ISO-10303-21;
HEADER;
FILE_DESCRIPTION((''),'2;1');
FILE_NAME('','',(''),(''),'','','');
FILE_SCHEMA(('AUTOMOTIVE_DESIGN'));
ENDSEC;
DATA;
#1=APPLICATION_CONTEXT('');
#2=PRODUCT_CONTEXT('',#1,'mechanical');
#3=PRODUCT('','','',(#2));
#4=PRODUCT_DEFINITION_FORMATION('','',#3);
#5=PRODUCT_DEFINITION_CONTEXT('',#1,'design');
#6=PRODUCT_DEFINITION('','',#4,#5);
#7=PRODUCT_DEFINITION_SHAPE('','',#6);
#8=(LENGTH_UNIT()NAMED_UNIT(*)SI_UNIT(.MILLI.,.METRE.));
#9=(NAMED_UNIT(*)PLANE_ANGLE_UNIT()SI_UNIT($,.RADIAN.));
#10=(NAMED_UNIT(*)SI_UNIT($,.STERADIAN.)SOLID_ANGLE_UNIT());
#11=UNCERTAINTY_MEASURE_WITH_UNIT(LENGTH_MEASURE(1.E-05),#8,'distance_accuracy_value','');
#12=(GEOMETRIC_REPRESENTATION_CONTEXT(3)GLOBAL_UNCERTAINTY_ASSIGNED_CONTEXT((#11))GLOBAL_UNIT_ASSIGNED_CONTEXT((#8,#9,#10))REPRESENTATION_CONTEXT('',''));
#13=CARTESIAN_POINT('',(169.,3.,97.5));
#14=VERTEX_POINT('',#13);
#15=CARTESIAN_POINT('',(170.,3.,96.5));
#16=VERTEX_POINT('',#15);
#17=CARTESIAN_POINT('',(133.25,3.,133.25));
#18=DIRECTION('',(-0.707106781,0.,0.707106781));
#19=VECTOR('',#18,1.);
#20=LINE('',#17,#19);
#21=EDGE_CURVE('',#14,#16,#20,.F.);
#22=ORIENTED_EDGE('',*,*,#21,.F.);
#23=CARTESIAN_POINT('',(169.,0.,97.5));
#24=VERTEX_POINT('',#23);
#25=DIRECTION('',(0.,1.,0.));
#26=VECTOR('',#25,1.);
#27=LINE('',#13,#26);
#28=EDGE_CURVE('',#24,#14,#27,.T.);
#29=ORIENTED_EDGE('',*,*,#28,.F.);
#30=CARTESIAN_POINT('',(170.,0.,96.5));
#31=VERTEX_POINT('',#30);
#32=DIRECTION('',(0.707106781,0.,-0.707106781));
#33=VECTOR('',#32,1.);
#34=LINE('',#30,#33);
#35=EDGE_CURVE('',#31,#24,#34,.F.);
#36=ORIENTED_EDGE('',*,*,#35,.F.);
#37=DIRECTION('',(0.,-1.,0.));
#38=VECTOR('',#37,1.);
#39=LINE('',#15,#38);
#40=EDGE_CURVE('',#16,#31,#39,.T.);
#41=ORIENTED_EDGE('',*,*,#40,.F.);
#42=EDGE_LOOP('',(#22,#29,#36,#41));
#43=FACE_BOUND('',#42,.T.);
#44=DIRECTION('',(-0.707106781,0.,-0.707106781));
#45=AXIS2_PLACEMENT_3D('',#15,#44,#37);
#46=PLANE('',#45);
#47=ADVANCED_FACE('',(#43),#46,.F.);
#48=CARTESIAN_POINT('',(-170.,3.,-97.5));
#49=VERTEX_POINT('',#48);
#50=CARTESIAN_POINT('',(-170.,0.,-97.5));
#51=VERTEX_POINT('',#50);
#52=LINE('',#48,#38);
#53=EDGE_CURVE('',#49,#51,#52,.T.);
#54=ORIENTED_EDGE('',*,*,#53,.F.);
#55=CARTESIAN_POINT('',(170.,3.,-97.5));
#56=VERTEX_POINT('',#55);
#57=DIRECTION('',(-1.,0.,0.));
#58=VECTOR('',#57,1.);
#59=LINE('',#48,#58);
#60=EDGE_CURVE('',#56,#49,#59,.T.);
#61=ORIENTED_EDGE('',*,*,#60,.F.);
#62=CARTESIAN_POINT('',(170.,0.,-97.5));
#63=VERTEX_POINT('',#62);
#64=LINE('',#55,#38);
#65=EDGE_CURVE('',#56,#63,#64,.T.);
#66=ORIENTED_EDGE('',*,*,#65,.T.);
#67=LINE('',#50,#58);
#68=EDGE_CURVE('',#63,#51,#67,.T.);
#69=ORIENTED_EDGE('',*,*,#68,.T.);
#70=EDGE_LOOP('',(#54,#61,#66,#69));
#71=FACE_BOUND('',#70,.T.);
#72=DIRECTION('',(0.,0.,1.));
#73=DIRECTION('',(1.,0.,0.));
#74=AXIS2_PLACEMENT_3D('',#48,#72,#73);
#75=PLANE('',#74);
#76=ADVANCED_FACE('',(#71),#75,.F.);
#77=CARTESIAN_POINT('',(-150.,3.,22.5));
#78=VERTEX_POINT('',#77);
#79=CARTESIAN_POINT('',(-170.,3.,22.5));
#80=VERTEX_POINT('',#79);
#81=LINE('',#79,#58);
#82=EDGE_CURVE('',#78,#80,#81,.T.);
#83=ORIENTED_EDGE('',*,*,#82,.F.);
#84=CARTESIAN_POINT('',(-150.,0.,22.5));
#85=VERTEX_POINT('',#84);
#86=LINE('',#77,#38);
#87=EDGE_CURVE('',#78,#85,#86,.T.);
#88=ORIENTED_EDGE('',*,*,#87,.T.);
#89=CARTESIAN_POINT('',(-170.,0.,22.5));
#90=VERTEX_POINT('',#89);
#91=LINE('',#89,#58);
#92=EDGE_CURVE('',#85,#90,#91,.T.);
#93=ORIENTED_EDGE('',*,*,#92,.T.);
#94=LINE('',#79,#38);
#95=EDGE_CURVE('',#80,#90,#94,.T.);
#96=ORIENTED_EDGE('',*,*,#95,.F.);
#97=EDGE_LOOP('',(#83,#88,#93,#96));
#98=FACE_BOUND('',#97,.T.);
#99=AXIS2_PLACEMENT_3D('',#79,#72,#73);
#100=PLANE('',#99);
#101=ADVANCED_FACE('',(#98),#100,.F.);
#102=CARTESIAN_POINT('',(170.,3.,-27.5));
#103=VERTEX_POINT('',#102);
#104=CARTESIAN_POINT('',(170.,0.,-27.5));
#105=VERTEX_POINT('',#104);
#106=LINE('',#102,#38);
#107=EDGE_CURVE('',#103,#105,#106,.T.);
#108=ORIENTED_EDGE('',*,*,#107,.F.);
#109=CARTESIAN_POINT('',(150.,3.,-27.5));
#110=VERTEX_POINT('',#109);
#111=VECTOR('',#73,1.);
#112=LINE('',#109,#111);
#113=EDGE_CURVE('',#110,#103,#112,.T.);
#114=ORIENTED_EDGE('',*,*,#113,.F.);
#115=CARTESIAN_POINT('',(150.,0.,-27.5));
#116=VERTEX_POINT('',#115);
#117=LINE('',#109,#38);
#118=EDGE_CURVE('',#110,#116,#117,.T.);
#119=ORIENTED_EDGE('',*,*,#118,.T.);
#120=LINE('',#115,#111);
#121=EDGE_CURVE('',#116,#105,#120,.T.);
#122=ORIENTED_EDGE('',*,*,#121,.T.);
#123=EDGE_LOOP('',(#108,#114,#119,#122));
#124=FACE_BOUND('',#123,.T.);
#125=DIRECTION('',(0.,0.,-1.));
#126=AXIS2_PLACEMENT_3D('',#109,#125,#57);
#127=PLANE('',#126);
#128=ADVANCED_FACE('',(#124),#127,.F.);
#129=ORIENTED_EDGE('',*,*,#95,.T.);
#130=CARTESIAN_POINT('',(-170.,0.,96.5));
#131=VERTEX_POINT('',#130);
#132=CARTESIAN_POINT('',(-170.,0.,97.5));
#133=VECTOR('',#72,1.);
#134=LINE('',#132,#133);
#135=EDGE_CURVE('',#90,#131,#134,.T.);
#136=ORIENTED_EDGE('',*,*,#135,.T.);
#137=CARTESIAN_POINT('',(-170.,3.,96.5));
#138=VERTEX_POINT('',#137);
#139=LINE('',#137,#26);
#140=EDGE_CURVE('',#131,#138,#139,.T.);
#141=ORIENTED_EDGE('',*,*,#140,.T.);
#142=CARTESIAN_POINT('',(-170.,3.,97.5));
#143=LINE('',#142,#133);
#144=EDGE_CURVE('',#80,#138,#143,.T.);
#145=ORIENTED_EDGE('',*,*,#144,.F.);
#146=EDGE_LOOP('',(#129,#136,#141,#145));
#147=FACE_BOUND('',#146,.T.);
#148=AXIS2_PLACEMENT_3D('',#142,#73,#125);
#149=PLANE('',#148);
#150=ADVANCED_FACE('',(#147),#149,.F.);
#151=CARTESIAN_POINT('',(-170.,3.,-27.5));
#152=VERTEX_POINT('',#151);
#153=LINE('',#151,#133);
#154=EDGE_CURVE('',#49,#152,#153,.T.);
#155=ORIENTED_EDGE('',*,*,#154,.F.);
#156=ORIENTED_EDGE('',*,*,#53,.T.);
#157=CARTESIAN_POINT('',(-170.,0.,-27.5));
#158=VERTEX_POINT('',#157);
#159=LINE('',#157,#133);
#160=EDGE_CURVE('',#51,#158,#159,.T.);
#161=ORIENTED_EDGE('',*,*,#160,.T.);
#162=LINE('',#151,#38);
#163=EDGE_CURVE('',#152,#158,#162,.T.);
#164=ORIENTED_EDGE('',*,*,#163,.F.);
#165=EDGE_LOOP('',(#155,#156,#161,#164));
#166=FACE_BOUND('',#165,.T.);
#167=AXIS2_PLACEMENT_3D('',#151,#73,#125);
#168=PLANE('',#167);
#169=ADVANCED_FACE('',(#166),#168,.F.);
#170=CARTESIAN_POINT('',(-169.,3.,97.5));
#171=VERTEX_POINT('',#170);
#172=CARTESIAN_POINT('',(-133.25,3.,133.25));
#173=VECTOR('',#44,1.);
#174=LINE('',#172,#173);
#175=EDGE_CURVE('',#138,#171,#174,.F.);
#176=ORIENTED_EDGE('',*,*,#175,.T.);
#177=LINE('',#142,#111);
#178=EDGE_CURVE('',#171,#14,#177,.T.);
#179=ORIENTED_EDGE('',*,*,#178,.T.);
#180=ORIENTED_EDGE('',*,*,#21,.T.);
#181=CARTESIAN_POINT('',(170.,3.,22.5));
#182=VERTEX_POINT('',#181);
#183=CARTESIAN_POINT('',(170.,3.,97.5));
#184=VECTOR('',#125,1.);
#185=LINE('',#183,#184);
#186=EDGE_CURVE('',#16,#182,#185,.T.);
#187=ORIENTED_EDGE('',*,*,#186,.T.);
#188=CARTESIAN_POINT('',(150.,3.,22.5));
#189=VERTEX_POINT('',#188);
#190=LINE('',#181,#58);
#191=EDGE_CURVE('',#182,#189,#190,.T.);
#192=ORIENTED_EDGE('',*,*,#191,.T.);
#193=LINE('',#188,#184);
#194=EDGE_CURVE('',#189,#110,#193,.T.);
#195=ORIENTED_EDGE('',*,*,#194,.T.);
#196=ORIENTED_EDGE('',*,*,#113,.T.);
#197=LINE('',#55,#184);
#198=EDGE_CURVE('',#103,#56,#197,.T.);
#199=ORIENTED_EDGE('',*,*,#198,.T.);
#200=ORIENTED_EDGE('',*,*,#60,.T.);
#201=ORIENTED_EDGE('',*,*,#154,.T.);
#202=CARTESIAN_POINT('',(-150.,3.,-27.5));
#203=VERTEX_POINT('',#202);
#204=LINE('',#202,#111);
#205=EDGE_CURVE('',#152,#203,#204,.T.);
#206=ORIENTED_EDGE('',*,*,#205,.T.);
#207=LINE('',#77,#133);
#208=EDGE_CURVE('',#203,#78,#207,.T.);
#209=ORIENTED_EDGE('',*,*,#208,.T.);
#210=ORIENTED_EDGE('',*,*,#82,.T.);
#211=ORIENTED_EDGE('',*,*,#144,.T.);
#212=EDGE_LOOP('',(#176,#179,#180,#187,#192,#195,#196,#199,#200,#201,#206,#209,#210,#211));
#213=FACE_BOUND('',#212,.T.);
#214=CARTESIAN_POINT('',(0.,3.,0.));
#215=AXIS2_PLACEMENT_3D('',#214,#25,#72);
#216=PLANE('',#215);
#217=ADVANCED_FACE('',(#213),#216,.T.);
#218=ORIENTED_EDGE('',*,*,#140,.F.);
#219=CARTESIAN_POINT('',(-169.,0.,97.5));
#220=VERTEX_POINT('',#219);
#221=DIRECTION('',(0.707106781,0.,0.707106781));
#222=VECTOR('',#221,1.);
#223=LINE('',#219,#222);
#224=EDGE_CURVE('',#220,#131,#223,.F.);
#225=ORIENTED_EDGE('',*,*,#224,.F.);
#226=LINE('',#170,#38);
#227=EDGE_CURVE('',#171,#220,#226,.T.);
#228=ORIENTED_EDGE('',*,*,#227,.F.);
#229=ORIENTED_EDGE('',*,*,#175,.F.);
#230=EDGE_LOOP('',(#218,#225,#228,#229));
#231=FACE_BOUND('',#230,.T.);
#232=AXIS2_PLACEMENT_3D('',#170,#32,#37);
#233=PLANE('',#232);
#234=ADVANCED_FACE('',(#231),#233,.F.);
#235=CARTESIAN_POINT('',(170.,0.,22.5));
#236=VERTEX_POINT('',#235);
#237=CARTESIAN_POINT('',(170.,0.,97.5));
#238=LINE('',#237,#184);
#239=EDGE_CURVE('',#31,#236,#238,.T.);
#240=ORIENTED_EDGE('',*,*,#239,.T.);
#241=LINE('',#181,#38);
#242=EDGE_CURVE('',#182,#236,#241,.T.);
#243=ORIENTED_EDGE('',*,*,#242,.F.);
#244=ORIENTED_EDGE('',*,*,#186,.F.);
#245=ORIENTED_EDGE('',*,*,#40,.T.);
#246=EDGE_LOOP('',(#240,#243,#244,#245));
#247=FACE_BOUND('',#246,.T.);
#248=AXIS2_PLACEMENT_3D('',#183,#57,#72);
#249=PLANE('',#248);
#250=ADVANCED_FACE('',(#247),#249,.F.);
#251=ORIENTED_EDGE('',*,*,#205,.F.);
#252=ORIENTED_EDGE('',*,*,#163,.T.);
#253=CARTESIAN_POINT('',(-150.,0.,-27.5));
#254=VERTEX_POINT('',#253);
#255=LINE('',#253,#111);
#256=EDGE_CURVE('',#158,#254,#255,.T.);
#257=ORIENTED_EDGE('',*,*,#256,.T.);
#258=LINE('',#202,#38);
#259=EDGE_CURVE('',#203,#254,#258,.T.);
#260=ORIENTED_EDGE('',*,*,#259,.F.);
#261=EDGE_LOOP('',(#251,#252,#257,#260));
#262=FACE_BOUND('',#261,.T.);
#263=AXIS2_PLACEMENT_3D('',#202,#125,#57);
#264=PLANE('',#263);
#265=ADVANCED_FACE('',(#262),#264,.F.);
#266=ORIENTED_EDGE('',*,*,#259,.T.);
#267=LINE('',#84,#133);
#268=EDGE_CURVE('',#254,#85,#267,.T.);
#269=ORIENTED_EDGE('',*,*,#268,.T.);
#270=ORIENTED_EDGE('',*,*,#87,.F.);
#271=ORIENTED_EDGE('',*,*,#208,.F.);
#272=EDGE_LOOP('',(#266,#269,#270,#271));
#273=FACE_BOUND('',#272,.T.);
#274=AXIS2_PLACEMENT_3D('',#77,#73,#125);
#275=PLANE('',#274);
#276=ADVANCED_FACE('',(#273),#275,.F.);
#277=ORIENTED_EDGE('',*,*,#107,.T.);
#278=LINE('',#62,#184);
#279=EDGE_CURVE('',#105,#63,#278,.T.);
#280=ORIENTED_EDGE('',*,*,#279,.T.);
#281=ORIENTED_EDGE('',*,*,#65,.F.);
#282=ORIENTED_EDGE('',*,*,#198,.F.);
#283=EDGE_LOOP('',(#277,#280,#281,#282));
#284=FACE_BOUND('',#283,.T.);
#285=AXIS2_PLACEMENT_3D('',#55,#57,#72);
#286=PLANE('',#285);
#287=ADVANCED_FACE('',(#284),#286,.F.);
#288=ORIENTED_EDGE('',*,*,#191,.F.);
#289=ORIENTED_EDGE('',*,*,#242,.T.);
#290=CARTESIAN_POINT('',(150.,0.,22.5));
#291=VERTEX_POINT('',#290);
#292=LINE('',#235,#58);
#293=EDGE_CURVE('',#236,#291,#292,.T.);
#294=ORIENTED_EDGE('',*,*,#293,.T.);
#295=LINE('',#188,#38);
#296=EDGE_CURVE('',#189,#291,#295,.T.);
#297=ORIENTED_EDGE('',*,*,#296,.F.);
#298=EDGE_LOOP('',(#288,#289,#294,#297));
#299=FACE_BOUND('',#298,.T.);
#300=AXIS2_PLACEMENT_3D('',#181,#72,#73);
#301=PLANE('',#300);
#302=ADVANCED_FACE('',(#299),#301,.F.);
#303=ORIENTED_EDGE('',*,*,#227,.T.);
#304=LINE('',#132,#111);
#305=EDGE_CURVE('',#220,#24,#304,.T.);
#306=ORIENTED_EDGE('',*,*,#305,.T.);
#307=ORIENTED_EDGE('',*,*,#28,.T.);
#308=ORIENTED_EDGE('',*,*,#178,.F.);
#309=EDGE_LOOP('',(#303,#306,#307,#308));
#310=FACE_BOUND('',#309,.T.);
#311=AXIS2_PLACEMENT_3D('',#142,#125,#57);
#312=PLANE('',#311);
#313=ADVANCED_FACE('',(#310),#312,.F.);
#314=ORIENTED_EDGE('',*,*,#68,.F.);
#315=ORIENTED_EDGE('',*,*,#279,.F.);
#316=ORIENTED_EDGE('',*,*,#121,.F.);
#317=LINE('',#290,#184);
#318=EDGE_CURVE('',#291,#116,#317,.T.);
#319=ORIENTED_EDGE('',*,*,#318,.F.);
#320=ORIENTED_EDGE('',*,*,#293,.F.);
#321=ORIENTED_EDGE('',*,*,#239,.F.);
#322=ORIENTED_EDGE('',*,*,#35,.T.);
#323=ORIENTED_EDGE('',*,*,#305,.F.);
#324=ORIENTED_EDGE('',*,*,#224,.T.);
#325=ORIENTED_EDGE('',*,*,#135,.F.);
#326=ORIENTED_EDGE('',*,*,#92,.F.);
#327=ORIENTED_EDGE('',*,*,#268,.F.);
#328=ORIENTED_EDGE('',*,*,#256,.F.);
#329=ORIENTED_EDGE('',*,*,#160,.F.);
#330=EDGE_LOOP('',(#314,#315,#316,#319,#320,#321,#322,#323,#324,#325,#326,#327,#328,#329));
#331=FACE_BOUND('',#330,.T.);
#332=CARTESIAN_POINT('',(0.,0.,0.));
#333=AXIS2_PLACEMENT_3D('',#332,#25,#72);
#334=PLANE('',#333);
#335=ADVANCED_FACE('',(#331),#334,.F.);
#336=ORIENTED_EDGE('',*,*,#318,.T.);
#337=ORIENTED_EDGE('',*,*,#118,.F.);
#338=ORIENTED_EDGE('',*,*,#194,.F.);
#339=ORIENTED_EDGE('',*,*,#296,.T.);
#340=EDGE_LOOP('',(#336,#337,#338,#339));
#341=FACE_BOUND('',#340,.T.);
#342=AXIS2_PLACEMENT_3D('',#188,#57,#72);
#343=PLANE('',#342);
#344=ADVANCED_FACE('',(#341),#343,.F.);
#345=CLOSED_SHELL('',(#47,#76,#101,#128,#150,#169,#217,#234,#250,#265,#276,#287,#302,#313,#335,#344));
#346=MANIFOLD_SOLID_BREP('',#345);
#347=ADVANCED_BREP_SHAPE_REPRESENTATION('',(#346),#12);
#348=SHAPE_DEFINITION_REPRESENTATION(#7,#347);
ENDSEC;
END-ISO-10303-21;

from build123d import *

# Parameters (mm, degrees)
BOSS_EXTRUDE1_DEPTH = 3
CHAMFER1_SIZE       = 1


with BuildPart() as part:
    # Sketch1 → Boss-Extrude1 (new body)
    with BuildSketch(Plane(origin=(0, 0, 0), x_dir=(1, 0, 0), z_dir=(0, 1, 0))):
        Polygon((-170, -97.5), (-170, -22.5), (-150, -22.5), (-150, 27.5), (-170, 27.5), (-170, 97.5), (170, 97.5), (170, 27.5), (150, 27.5), (150, -22.5), (170, -22.5), (170, -97.5), align=None)
    extrude(amount=BOSS_EXTRUDE1_DEPTH)

    # Chamfer1
    chamfer1_edges = [part.edges().sort_by_distance(p)[0] for p in [
        (-170, 1.5, 97.5),
        (170, 1.5, 97.5),
    ]]
    chamfer(chamfer1_edges, length=CHAMFER1_SIZE)


solid = part.part
